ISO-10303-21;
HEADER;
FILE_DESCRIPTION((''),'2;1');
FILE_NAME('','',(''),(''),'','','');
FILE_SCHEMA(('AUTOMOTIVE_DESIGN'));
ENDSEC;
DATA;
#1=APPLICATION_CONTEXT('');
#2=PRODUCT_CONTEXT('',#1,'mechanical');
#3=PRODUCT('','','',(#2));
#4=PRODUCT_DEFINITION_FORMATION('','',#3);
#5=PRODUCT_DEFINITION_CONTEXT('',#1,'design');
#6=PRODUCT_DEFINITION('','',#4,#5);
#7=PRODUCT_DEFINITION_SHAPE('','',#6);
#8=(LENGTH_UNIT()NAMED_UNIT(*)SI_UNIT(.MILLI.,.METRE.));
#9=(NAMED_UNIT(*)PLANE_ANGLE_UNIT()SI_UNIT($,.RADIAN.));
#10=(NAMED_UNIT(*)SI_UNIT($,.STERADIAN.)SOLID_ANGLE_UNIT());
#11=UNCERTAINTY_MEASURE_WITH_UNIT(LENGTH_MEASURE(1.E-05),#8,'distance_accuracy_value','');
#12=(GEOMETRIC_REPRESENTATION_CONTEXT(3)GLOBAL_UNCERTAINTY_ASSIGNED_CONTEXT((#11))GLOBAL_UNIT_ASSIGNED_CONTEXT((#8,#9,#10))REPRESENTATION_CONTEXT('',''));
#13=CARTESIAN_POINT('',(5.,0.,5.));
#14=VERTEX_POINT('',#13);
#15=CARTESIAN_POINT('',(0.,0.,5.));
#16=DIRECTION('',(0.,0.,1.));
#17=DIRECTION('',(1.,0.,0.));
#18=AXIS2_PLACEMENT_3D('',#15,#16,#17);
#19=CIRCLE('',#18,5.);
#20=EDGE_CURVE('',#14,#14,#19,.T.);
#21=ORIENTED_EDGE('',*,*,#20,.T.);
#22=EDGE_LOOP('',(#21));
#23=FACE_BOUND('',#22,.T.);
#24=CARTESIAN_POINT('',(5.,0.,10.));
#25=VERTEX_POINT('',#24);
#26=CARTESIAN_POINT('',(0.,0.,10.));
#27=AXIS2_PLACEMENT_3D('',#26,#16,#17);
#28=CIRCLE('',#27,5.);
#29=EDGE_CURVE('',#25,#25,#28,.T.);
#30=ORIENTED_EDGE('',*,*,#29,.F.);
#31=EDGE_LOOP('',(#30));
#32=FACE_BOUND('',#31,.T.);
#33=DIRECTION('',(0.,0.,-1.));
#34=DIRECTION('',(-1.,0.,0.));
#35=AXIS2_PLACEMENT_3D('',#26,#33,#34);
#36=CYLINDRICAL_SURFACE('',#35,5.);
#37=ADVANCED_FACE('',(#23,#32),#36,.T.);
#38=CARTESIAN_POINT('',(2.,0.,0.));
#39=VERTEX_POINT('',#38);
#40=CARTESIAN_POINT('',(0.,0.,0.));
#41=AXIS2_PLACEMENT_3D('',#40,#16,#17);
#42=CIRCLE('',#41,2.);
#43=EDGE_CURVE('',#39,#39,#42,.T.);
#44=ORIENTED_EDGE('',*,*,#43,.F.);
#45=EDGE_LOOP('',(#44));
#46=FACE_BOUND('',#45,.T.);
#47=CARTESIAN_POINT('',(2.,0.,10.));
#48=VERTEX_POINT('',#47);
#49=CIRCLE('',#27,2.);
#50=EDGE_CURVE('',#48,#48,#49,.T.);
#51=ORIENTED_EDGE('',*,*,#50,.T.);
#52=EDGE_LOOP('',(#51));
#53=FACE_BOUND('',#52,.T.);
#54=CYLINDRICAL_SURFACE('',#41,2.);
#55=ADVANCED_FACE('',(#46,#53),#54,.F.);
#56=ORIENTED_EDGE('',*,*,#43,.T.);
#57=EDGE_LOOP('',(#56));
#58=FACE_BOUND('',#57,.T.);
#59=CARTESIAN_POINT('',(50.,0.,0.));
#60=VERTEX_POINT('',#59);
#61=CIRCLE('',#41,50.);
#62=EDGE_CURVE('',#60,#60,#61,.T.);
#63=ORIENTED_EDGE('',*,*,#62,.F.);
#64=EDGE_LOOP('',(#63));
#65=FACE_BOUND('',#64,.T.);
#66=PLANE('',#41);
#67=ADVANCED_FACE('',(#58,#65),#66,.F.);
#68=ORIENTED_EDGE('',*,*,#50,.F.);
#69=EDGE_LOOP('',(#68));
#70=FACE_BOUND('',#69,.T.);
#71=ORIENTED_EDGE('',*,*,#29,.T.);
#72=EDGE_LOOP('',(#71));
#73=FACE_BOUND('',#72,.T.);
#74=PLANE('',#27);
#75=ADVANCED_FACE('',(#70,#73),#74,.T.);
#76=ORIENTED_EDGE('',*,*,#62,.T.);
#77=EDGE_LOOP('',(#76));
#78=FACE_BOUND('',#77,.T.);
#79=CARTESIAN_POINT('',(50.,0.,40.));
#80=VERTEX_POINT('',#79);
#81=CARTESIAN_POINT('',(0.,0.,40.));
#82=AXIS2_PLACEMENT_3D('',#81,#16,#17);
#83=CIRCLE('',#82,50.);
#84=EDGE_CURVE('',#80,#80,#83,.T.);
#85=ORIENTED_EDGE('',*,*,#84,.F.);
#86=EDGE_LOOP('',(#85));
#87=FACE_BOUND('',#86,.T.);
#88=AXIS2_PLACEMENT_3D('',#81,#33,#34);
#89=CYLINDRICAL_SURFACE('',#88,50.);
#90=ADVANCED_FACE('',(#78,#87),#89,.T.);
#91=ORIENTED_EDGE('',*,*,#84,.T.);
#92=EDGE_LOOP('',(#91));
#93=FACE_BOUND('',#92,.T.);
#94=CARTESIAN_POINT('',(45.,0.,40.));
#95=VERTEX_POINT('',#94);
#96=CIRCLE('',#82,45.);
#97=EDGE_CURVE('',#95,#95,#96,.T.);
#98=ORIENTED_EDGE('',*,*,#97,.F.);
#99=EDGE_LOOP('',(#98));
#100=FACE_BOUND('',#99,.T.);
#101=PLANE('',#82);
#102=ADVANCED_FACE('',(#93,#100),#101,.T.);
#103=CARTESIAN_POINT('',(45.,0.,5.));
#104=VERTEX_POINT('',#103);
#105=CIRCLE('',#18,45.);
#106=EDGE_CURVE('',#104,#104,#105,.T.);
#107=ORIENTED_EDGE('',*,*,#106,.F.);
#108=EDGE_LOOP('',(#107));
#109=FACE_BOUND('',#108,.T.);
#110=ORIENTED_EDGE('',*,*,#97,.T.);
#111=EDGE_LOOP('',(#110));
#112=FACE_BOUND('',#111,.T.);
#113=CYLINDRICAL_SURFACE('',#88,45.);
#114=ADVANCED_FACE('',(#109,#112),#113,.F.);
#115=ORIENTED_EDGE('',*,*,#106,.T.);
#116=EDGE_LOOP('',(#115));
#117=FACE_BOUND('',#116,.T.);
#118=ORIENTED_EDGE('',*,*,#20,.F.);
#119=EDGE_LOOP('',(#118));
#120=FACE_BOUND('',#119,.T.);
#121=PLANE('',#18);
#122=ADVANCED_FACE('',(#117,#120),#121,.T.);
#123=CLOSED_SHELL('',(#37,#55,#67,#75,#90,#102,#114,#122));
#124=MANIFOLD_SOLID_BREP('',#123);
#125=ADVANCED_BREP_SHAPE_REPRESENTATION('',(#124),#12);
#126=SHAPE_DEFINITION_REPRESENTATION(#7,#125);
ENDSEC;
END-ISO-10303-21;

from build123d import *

# Parameters (mm, degrees)
SKETCH1_R               = 50
BOSS_EXTRUDE1_DEPTH     = 40
SHELL1_T                = -5
SKETCH2_R               = 2
CUT_EXTRUDE1_DEPTH      = 79.89866919
CUT_EXTRUDE1_DEPTH_BACK = 79.89866919
SKETCH3_R               = 5
SKETCH3_R_2             = 2
BOSS_EXTRUDE2_DEPTH     = 5


with BuildPart() as part:
    # Sketch1 → Boss-Extrude1 (new body)
    with BuildSketch(Plane.XY):
        Circle(SKETCH1_R)
    extrude(amount=BOSS_EXTRUDE1_DEPTH)

    # Shell1
    shell1_openings = [part.faces().sort_by_distance(p)[0] for p in [
        (0, 0, 40),
    ]]
    offset(amount=SHELL1_T, openings=shell1_openings, kind=Kind.INTERSECTION)

    # Sketch2 → Cut-Extrude1 (cut, two sides)
    with BuildSketch(Plane.XY.offset(5)) as cut_extrude1_sk:
        Circle(SKETCH2_R)
    extrude(amount=CUT_EXTRUDE1_DEPTH, mode=Mode.SUBTRACT)
    extrude(cut_extrude1_sk.sketch, amount=-CUT_EXTRUDE1_DEPTH_BACK, mode=Mode.SUBTRACT)

    # Sketch3 → Boss-Extrude2 (add)
    with BuildSketch(Plane.XY.offset(5)):
        Circle(SKETCH3_R)
        Circle(SKETCH3_R_2, mode=Mode.SUBTRACT)
    extrude(amount=BOSS_EXTRUDE2_DEPTH)


solid = part.part
